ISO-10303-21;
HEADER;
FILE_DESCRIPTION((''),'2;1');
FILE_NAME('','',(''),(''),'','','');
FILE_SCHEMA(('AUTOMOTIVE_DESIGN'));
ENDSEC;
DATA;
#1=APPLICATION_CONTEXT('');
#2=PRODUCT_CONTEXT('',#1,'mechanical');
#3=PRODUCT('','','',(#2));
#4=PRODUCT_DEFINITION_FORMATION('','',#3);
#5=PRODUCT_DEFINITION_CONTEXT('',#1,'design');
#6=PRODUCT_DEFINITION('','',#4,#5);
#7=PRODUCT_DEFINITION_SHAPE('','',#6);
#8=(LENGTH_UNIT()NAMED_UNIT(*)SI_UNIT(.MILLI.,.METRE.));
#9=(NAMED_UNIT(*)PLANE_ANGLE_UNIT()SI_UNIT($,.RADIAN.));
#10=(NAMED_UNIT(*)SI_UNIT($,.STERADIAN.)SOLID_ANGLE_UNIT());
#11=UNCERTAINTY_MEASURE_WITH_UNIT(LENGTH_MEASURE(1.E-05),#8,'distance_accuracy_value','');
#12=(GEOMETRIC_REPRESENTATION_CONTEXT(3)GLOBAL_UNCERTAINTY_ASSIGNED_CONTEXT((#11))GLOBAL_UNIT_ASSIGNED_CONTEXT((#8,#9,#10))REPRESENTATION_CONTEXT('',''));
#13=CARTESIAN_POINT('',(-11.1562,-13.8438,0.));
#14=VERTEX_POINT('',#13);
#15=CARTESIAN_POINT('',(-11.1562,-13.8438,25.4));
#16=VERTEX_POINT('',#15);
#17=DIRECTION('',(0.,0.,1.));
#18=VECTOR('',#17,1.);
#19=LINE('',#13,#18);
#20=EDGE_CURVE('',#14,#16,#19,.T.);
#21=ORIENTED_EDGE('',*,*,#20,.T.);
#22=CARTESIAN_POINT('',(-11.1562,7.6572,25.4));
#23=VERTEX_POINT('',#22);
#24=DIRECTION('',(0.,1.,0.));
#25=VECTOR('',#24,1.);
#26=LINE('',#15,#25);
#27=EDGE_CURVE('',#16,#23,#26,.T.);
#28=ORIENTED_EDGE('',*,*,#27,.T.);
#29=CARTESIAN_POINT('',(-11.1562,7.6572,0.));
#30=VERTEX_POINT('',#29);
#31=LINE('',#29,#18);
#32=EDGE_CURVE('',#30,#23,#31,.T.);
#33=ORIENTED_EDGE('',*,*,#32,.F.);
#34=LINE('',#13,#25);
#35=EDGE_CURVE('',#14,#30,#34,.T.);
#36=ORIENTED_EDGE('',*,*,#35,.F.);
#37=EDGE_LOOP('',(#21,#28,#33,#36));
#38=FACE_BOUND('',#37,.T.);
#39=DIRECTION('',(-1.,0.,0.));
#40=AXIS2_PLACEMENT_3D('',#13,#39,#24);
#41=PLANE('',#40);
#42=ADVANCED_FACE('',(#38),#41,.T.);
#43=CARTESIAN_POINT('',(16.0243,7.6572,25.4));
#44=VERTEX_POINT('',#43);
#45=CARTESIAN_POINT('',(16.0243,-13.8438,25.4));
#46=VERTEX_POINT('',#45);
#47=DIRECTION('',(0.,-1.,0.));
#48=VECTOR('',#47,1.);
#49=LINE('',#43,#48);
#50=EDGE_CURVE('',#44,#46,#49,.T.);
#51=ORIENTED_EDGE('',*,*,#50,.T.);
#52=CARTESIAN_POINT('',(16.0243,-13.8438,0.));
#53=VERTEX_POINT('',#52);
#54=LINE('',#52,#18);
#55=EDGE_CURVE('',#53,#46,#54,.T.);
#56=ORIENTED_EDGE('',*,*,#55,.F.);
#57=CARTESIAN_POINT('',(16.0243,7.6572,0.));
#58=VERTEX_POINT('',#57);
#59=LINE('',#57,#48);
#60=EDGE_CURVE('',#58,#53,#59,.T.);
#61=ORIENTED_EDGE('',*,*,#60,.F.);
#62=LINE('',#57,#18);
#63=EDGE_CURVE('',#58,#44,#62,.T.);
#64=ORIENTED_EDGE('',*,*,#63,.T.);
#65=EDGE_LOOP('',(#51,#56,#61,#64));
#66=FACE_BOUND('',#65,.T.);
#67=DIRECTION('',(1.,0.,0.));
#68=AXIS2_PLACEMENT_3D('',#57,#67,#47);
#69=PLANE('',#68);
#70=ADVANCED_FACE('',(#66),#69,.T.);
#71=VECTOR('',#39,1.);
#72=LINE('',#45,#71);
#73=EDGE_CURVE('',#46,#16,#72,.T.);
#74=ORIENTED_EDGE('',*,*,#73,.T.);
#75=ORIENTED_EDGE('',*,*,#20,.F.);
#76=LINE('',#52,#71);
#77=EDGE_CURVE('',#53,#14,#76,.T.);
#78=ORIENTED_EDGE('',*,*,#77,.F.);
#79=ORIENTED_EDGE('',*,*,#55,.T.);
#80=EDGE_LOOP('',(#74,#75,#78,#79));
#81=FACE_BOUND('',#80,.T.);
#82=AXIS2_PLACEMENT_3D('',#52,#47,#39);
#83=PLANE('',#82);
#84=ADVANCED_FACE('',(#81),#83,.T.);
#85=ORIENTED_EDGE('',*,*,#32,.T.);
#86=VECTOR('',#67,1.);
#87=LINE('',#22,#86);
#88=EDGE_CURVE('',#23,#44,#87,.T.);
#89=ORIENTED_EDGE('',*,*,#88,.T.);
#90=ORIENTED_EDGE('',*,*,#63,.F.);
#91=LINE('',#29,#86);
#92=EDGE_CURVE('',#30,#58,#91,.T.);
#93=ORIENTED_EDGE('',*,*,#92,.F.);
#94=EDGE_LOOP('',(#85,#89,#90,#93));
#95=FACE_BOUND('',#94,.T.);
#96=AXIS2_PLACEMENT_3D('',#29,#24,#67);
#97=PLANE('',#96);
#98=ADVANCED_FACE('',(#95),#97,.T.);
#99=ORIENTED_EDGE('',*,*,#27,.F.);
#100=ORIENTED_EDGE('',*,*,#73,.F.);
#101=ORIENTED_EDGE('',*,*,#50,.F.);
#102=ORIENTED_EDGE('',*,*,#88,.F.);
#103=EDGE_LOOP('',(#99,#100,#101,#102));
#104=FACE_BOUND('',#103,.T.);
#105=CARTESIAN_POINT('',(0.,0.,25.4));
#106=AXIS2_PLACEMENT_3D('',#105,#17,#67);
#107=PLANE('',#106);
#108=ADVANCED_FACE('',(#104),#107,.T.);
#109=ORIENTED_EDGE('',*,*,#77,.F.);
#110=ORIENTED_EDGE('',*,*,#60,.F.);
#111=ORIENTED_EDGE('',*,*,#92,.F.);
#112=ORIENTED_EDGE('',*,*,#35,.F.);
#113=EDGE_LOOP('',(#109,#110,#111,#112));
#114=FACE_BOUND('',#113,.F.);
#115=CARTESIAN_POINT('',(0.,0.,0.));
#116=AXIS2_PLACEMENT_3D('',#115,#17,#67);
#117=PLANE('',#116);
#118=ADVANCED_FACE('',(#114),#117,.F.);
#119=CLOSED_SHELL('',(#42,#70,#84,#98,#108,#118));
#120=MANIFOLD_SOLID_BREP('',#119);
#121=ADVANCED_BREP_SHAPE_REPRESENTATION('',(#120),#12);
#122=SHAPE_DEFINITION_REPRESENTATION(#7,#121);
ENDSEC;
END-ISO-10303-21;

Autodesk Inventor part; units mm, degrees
ref_plane "YZ Plane" through (0, 0, 0) normal (1, 0, 0) x (0, 1, 0)
ref_plane "XZ Plane" through (0, 0, 0) normal (0, 1, 0) x (-1, 0, 0)
ref_plane "XY Plane" through (0, 0, 0) normal (0, 0, 1) x (1, 0, 0)
sketch "Sketch1" plane through (0, 0, 0) normal (0, 0, 1) x (1, 0, 0)
  line L0 (-11.1562, 7.6572) -> (16.0243, 7.6572)
  line L1 (16.0243, 7.6572) -> (16.0243, -13.8438)
  line L2 (16.0243, -13.8438) -> (-11.1562, -13.8438)
  line L3 (-11.1562, -13.8438) -> (-11.1562, 7.6572)
  point P0 (0, 0)
extrude "Extrusion1" add sketch "Sketch1" along normal blind 25.4
properties part number "marc cube"
